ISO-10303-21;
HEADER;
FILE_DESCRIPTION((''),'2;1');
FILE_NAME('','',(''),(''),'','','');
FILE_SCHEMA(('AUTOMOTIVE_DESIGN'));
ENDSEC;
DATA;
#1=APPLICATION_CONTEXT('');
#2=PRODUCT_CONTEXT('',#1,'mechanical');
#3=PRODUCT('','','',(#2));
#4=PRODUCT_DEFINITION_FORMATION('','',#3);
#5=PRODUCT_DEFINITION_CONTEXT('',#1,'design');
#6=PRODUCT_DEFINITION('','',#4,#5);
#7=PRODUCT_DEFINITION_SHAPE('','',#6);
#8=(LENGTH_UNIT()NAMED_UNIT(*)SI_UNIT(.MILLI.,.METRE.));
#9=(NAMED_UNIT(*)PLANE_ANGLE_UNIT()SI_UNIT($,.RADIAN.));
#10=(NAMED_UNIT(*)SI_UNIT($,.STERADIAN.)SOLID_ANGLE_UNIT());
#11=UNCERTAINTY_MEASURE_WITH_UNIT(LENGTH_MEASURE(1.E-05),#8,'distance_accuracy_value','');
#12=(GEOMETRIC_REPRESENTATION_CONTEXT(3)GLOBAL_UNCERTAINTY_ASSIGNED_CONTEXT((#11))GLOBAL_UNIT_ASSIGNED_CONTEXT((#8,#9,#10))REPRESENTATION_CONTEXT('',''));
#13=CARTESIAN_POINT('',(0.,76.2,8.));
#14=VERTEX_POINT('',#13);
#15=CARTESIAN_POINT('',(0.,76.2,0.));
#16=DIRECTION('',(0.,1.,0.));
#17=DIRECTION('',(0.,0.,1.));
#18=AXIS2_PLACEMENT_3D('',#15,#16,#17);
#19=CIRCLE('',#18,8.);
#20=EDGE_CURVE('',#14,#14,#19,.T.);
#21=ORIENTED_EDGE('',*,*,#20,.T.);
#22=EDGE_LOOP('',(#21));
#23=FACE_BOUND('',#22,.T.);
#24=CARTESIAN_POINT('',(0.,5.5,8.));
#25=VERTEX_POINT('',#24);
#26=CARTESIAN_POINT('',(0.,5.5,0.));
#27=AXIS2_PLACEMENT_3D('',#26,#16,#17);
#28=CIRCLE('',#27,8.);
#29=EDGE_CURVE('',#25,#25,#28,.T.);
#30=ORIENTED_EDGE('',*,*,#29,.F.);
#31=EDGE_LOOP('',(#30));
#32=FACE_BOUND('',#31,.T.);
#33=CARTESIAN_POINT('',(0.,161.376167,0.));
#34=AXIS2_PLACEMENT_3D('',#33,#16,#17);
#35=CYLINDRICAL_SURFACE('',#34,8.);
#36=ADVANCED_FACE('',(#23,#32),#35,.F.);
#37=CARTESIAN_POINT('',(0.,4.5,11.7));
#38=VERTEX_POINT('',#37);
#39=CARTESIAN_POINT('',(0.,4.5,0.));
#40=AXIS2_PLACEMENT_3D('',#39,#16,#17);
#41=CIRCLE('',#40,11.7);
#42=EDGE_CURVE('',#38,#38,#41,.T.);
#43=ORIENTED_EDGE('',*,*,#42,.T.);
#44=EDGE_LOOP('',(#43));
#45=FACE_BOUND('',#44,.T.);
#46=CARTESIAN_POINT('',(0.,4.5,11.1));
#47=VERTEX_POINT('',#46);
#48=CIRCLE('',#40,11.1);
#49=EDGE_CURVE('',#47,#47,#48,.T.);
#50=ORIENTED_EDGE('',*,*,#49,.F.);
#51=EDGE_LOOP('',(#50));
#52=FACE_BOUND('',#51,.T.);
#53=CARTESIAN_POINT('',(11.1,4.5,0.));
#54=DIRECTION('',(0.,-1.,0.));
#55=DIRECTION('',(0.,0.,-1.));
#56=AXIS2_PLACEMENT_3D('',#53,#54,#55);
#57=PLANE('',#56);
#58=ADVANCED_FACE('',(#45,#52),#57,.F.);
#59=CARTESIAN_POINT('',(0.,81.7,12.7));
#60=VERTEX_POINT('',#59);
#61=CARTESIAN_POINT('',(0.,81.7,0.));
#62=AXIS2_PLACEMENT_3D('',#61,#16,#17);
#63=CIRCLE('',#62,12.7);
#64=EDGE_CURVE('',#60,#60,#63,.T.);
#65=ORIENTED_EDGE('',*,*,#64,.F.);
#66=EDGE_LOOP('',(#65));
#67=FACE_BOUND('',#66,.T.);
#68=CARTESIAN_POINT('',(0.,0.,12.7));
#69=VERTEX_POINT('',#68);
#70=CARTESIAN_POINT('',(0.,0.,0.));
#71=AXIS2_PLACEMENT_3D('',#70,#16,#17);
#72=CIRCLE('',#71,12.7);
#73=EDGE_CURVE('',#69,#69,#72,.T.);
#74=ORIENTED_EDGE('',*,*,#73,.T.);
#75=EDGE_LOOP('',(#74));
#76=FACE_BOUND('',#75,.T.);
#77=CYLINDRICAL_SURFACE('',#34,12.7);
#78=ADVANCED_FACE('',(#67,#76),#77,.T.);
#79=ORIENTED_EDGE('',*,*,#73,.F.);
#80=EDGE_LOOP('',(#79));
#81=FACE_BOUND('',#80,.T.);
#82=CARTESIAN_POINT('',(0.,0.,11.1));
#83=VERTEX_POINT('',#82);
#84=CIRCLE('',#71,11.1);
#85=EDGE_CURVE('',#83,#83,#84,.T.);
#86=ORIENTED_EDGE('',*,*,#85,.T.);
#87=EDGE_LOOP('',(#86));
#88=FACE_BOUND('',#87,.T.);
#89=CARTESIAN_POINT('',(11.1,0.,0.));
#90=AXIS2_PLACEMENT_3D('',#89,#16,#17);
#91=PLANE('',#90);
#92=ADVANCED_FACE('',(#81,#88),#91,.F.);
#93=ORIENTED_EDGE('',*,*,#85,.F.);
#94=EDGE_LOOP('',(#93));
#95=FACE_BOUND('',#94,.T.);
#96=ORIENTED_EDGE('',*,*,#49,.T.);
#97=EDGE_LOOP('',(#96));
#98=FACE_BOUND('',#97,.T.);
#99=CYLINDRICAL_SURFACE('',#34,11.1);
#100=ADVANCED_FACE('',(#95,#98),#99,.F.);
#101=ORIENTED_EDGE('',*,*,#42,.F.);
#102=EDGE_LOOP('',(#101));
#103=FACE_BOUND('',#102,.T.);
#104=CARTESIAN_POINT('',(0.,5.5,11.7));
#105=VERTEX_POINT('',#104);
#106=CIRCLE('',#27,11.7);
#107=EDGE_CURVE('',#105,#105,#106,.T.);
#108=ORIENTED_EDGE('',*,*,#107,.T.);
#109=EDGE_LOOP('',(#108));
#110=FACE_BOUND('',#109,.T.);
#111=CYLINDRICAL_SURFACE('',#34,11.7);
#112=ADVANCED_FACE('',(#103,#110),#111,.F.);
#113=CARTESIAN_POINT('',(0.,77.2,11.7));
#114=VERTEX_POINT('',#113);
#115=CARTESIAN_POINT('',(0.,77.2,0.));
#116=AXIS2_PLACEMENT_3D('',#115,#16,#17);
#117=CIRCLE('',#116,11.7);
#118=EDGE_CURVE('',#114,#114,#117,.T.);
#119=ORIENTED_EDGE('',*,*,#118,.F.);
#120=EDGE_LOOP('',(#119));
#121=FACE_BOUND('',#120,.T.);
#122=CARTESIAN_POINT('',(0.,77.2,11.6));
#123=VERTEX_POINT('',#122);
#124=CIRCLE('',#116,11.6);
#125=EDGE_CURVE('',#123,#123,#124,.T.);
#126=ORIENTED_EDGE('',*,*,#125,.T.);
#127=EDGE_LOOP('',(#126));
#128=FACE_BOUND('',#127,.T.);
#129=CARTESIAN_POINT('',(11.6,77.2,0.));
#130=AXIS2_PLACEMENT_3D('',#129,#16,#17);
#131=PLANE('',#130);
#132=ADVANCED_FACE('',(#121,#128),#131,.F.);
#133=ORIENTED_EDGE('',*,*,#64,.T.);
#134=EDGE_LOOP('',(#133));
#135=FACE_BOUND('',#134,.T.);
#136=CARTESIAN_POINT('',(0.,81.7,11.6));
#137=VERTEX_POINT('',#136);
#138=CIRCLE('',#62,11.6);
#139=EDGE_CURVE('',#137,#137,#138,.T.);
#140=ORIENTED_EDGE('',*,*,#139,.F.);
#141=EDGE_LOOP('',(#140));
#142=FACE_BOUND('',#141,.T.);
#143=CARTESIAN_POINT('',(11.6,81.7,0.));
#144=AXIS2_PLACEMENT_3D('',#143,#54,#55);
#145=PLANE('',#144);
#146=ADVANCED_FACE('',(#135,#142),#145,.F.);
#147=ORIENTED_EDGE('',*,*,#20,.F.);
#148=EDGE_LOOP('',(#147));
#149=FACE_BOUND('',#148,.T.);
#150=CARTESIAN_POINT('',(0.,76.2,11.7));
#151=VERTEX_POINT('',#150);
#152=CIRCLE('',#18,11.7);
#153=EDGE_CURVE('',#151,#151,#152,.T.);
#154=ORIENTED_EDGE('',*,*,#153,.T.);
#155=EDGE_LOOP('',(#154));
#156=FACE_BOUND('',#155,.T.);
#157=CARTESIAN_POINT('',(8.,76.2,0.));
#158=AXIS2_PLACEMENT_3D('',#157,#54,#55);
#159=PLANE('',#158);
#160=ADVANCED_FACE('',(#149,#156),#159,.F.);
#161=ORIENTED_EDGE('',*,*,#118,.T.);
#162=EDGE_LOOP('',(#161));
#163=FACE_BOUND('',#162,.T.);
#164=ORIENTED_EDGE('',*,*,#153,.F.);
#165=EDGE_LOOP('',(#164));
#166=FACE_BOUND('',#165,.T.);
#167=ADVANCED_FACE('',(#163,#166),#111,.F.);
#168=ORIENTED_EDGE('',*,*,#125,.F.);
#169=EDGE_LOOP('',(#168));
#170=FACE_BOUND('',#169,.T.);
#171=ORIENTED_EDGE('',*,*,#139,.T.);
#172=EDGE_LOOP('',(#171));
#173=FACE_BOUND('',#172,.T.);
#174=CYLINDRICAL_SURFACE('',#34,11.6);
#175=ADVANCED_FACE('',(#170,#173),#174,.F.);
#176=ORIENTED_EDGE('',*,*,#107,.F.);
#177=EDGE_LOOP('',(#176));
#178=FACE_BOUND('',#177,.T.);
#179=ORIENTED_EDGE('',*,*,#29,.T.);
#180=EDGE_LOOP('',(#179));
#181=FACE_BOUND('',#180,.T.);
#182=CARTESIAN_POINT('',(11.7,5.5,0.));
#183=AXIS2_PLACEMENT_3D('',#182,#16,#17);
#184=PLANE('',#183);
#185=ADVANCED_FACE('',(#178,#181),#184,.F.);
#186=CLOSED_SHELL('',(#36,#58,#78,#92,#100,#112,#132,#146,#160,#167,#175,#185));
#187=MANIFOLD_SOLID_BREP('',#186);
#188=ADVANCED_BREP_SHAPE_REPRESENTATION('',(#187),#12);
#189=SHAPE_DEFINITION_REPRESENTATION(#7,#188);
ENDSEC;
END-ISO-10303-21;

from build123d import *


with BuildPart() as part:
    # 草图1 → 旋转1 (revolve)
    with BuildSketch(Plane.XY, mode=Mode.PRIVATE) as revolve_1_sk:
        Polygon((11.1, 0), (11.1, 4.5), (11.7, 4.5), (11.7, 5.5), (8, 5.5), (8, 76.2), (11.7, 76.2), (11.7, 77.2), (11.6, 77.2), (11.6, 81.7), (12.7, 81.7), (12.7, 0), align=None)
    revolve(revolve_1_sk.sketch.rotate(Axis((0, 161.376166943, 0), (0, -1, 0)), 90), axis=Axis((0, 161.376166943, 0), (0, -1, 0)))  # turned: the seam where the file's is


solid = part.part
